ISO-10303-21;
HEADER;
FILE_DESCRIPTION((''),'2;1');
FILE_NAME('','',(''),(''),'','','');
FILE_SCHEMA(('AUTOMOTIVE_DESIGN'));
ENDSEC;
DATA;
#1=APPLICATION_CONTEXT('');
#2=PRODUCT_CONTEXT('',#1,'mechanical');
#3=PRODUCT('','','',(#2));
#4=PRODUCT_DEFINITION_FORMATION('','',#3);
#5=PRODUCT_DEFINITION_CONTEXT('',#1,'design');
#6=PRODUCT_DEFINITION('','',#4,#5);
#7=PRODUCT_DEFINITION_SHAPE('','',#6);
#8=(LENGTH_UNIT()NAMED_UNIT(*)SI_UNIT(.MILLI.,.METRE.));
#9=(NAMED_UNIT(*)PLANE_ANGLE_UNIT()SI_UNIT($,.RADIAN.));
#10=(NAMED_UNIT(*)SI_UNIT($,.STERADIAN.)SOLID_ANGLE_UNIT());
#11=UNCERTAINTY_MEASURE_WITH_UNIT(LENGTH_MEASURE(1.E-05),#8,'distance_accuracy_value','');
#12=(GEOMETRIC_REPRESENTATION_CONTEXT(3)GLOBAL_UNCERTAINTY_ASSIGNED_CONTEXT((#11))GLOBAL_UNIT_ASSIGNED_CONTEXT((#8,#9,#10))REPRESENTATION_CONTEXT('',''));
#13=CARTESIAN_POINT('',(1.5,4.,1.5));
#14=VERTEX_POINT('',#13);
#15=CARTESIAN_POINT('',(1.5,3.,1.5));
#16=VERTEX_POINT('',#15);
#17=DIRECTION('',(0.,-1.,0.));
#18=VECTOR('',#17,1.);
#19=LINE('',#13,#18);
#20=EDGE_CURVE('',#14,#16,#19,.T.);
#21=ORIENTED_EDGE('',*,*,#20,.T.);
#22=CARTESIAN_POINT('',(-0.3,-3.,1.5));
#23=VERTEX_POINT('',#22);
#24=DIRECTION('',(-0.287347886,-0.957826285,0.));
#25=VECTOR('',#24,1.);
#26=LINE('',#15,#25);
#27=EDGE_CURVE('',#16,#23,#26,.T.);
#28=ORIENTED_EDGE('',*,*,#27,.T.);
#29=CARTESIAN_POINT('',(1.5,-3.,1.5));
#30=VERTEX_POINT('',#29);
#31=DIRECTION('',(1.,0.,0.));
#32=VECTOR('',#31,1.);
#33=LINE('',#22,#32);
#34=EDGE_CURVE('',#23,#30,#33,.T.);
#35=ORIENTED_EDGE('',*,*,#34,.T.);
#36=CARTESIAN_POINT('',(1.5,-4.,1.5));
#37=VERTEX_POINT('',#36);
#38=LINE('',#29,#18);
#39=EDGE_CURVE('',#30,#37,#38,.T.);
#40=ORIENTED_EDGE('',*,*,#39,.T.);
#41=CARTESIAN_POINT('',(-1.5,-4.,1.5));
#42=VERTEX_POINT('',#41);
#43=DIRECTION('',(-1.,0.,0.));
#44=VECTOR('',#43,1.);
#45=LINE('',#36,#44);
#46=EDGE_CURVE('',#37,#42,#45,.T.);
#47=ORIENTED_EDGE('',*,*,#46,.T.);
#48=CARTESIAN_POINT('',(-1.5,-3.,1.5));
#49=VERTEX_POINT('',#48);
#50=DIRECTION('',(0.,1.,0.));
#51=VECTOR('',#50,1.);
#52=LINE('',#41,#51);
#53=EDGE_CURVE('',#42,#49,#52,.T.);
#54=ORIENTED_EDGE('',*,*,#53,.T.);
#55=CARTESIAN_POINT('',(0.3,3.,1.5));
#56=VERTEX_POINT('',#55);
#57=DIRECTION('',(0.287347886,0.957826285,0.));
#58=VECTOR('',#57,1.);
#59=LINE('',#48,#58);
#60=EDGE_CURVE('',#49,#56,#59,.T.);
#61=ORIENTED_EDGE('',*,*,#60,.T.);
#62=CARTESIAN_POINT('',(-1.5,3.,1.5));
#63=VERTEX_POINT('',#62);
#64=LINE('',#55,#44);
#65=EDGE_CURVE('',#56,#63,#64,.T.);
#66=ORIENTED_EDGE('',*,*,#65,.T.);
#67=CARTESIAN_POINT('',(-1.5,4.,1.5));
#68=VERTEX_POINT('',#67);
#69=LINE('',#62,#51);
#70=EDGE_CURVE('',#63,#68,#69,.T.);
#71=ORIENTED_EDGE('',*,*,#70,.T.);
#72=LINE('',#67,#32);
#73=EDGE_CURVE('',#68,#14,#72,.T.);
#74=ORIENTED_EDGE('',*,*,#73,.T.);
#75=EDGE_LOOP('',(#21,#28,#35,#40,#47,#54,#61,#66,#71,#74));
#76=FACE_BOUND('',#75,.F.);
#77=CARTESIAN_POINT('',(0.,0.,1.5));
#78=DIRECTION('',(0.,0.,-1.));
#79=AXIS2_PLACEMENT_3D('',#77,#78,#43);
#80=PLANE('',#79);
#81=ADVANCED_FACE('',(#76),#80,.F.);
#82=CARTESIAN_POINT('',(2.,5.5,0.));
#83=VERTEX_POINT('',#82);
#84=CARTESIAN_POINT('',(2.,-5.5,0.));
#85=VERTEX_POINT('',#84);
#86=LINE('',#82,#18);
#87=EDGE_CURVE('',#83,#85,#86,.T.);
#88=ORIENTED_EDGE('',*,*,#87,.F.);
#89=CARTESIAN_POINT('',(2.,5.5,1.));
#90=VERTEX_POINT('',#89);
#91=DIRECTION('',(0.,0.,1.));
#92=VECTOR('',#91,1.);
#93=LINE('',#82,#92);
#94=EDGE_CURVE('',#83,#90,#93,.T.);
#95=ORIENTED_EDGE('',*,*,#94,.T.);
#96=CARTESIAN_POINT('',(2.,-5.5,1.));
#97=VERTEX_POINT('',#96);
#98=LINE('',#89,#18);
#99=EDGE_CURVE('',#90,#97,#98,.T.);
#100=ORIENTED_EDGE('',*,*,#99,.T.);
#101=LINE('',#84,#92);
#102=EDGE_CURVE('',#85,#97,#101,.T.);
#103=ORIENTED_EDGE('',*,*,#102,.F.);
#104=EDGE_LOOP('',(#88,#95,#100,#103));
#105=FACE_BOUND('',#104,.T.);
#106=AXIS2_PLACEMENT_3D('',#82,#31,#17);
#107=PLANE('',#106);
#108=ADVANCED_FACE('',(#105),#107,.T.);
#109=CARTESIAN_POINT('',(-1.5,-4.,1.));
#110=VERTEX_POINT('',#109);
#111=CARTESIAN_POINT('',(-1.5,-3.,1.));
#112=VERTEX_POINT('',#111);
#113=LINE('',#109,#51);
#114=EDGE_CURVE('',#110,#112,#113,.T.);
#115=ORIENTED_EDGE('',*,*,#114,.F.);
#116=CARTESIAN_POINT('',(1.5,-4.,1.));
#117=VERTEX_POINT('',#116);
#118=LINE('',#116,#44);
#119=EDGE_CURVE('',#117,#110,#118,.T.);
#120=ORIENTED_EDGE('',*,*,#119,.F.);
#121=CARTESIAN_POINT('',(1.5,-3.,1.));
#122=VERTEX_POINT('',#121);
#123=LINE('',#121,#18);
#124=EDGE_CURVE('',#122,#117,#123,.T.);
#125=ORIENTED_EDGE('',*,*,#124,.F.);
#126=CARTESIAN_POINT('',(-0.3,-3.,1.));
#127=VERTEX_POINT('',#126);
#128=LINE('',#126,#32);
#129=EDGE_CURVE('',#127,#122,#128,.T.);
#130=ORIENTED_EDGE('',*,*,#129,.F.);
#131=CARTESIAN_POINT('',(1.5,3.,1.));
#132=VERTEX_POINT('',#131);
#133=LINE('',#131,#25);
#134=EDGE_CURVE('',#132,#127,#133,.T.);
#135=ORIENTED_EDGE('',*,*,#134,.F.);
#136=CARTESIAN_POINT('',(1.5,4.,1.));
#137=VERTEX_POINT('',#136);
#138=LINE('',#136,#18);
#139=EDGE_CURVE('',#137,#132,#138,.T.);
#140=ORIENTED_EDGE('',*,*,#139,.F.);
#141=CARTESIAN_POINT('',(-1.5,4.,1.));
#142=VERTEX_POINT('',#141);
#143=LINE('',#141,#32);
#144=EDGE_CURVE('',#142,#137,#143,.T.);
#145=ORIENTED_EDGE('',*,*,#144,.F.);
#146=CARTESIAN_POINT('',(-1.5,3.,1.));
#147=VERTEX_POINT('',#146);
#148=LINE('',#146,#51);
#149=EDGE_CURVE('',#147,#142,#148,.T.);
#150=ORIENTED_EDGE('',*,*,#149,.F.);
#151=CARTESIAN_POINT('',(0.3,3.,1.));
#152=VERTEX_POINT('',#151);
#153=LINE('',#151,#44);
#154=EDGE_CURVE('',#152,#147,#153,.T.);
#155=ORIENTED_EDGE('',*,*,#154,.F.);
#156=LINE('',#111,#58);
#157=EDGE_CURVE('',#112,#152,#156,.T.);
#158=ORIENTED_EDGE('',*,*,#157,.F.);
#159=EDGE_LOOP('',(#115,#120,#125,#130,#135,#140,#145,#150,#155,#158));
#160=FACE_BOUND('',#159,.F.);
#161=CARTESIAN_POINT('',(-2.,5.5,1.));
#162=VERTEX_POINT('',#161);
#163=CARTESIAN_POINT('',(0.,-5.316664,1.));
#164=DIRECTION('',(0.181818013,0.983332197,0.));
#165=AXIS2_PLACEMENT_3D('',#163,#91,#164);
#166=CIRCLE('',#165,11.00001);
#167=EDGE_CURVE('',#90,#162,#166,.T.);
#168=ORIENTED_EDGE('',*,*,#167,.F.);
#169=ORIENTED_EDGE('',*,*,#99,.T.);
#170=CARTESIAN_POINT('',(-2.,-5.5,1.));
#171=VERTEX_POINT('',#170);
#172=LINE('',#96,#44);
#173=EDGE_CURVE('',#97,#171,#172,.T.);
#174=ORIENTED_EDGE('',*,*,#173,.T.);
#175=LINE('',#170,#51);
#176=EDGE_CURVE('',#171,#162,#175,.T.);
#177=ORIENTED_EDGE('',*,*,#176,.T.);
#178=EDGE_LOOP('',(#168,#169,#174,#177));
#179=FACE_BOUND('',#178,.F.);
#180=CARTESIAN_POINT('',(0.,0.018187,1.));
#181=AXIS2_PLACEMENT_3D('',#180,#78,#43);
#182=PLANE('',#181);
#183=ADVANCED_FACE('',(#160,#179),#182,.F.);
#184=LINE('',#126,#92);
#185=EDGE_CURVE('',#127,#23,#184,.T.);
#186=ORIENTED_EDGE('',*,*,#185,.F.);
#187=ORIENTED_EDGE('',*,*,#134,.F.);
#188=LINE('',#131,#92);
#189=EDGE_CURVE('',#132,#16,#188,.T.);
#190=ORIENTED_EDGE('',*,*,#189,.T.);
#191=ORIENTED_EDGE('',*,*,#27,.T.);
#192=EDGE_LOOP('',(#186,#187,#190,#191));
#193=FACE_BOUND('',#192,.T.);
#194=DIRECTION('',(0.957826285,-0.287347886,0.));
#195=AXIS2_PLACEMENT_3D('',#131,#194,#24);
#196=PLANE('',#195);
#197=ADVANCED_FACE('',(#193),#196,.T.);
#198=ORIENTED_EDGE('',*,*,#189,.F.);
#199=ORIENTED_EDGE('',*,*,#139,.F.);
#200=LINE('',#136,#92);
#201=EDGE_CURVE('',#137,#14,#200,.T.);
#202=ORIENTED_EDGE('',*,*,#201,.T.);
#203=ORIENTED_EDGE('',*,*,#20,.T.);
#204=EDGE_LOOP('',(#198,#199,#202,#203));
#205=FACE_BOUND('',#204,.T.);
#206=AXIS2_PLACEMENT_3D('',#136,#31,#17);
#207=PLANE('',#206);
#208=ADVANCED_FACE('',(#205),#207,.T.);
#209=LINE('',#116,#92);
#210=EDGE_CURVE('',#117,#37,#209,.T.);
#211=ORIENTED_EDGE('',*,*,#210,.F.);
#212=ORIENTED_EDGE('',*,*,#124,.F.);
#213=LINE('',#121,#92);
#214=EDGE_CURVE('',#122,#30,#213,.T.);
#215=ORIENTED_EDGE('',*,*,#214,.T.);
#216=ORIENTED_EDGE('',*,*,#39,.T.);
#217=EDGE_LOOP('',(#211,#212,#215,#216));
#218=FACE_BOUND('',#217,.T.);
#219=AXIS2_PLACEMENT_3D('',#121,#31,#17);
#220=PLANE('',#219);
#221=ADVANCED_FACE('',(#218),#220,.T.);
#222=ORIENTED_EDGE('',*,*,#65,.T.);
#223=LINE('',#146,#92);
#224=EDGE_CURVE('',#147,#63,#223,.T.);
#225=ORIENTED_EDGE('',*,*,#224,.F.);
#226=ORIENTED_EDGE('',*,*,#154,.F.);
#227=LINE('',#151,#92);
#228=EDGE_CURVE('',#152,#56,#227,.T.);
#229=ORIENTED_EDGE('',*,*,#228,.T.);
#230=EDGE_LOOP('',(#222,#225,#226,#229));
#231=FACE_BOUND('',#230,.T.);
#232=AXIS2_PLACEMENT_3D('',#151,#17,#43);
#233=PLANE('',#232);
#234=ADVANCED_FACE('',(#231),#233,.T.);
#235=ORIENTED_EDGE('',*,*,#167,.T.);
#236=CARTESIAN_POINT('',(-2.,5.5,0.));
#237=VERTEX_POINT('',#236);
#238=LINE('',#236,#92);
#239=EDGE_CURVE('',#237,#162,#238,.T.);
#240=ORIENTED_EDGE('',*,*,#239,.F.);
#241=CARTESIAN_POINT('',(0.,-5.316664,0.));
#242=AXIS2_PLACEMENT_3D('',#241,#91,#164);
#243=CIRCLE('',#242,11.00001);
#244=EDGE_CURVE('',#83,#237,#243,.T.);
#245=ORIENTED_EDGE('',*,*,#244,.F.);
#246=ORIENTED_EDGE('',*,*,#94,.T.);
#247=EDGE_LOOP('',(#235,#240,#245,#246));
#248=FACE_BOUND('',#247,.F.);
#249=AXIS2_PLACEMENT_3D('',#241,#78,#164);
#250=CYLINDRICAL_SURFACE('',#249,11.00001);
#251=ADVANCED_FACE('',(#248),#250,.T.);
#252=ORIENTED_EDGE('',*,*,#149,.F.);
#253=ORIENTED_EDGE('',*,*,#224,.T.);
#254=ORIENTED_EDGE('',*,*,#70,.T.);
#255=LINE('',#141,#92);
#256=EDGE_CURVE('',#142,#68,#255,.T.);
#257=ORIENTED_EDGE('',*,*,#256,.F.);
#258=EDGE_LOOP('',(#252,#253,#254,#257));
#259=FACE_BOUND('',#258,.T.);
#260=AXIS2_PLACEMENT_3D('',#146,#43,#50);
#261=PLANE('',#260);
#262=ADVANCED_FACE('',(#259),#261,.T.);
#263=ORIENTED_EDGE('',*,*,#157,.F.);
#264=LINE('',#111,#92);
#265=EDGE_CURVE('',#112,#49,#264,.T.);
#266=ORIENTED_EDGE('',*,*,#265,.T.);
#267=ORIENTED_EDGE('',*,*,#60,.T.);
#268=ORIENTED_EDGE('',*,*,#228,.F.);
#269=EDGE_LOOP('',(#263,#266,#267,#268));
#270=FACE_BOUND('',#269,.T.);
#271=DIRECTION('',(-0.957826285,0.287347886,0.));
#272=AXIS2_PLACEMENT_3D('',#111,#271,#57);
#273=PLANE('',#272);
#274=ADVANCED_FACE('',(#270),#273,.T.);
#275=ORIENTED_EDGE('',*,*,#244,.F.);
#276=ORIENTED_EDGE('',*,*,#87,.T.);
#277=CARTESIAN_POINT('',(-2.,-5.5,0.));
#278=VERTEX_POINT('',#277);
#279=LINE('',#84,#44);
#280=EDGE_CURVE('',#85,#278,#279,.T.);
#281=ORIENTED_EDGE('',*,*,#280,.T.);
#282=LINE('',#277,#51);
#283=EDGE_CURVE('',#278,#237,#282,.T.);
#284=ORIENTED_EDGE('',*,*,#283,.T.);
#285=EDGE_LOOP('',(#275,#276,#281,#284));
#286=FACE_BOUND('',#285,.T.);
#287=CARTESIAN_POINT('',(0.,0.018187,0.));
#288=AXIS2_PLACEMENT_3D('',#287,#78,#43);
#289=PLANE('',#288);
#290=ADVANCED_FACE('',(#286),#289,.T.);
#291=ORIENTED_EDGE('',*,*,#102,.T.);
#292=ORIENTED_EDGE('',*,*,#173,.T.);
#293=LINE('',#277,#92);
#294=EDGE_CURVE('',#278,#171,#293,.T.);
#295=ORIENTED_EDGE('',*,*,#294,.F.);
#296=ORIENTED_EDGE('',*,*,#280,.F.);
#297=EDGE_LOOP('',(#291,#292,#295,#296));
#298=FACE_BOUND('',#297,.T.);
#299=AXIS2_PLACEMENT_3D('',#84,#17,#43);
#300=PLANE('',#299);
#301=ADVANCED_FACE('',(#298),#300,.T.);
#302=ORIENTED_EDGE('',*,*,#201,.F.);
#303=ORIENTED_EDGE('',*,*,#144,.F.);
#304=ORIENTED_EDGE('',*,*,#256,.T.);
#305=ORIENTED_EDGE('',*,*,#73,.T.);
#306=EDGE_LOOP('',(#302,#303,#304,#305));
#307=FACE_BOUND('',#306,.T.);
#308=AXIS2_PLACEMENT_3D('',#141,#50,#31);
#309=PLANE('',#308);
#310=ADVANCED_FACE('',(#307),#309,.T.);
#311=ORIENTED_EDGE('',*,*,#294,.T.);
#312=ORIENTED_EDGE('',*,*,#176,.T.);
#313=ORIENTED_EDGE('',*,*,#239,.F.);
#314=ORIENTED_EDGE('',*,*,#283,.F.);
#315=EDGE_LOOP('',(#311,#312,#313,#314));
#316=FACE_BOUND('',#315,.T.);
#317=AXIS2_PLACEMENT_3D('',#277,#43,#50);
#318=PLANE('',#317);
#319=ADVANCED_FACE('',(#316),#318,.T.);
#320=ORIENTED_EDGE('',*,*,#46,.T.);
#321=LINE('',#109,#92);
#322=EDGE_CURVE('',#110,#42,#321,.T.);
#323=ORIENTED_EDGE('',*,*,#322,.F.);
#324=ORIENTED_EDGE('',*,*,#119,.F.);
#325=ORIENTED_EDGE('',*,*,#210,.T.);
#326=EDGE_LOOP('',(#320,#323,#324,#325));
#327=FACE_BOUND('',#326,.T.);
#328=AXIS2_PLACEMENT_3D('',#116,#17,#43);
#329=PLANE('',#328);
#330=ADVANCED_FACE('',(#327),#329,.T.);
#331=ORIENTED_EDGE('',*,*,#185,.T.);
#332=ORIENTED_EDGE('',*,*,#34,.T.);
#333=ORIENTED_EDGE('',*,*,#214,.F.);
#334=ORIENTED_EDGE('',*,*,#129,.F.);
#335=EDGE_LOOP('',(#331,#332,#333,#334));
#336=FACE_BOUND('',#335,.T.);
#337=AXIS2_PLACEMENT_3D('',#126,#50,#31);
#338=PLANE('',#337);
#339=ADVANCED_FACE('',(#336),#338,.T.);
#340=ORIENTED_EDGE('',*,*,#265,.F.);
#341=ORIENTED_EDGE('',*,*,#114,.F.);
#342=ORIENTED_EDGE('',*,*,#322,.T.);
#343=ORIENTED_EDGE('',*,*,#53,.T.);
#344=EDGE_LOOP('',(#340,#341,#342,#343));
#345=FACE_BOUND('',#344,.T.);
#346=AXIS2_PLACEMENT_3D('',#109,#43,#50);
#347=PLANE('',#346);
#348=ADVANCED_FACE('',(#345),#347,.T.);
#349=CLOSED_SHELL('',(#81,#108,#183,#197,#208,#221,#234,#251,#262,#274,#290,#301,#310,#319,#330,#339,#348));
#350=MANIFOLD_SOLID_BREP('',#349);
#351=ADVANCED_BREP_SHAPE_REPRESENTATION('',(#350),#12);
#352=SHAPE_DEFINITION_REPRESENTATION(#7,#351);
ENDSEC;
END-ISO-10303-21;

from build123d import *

# Parameters (mm, degrees)
PAD_DEPTH    = 1
PAD001_DEPTH = 0.5


with BuildPart() as part:
    # Sketch → Pad (new body)
    with BuildSketch(Plane.XY):
        with BuildLine():
            Line((2, 5.5), (2, -5.5))
            Line((2, -5.5), (-2, -5.5))
            Line((-2, -5.5), (-2, 5.5))
            ThreePointArc((2, 5.5), (0, 5.683346), (-2, 5.5))
        make_face()
    extrude(amount=PAD_DEPTH)

    # Sketch001 → Pad001 (new body)
    with BuildSketch(Plane.XY.offset(1)):
        Polygon((-1.5, 4), (1.5, 4), (1.5, 3), (-0.3, -3), (1.5, -3), (1.5, -4), (-1.5, -4), (-1.5, -3), (0.3, 3), (-1.5, 3), align=None)
    extrude(amount=PAD001_DEPTH)


solid = part.part
